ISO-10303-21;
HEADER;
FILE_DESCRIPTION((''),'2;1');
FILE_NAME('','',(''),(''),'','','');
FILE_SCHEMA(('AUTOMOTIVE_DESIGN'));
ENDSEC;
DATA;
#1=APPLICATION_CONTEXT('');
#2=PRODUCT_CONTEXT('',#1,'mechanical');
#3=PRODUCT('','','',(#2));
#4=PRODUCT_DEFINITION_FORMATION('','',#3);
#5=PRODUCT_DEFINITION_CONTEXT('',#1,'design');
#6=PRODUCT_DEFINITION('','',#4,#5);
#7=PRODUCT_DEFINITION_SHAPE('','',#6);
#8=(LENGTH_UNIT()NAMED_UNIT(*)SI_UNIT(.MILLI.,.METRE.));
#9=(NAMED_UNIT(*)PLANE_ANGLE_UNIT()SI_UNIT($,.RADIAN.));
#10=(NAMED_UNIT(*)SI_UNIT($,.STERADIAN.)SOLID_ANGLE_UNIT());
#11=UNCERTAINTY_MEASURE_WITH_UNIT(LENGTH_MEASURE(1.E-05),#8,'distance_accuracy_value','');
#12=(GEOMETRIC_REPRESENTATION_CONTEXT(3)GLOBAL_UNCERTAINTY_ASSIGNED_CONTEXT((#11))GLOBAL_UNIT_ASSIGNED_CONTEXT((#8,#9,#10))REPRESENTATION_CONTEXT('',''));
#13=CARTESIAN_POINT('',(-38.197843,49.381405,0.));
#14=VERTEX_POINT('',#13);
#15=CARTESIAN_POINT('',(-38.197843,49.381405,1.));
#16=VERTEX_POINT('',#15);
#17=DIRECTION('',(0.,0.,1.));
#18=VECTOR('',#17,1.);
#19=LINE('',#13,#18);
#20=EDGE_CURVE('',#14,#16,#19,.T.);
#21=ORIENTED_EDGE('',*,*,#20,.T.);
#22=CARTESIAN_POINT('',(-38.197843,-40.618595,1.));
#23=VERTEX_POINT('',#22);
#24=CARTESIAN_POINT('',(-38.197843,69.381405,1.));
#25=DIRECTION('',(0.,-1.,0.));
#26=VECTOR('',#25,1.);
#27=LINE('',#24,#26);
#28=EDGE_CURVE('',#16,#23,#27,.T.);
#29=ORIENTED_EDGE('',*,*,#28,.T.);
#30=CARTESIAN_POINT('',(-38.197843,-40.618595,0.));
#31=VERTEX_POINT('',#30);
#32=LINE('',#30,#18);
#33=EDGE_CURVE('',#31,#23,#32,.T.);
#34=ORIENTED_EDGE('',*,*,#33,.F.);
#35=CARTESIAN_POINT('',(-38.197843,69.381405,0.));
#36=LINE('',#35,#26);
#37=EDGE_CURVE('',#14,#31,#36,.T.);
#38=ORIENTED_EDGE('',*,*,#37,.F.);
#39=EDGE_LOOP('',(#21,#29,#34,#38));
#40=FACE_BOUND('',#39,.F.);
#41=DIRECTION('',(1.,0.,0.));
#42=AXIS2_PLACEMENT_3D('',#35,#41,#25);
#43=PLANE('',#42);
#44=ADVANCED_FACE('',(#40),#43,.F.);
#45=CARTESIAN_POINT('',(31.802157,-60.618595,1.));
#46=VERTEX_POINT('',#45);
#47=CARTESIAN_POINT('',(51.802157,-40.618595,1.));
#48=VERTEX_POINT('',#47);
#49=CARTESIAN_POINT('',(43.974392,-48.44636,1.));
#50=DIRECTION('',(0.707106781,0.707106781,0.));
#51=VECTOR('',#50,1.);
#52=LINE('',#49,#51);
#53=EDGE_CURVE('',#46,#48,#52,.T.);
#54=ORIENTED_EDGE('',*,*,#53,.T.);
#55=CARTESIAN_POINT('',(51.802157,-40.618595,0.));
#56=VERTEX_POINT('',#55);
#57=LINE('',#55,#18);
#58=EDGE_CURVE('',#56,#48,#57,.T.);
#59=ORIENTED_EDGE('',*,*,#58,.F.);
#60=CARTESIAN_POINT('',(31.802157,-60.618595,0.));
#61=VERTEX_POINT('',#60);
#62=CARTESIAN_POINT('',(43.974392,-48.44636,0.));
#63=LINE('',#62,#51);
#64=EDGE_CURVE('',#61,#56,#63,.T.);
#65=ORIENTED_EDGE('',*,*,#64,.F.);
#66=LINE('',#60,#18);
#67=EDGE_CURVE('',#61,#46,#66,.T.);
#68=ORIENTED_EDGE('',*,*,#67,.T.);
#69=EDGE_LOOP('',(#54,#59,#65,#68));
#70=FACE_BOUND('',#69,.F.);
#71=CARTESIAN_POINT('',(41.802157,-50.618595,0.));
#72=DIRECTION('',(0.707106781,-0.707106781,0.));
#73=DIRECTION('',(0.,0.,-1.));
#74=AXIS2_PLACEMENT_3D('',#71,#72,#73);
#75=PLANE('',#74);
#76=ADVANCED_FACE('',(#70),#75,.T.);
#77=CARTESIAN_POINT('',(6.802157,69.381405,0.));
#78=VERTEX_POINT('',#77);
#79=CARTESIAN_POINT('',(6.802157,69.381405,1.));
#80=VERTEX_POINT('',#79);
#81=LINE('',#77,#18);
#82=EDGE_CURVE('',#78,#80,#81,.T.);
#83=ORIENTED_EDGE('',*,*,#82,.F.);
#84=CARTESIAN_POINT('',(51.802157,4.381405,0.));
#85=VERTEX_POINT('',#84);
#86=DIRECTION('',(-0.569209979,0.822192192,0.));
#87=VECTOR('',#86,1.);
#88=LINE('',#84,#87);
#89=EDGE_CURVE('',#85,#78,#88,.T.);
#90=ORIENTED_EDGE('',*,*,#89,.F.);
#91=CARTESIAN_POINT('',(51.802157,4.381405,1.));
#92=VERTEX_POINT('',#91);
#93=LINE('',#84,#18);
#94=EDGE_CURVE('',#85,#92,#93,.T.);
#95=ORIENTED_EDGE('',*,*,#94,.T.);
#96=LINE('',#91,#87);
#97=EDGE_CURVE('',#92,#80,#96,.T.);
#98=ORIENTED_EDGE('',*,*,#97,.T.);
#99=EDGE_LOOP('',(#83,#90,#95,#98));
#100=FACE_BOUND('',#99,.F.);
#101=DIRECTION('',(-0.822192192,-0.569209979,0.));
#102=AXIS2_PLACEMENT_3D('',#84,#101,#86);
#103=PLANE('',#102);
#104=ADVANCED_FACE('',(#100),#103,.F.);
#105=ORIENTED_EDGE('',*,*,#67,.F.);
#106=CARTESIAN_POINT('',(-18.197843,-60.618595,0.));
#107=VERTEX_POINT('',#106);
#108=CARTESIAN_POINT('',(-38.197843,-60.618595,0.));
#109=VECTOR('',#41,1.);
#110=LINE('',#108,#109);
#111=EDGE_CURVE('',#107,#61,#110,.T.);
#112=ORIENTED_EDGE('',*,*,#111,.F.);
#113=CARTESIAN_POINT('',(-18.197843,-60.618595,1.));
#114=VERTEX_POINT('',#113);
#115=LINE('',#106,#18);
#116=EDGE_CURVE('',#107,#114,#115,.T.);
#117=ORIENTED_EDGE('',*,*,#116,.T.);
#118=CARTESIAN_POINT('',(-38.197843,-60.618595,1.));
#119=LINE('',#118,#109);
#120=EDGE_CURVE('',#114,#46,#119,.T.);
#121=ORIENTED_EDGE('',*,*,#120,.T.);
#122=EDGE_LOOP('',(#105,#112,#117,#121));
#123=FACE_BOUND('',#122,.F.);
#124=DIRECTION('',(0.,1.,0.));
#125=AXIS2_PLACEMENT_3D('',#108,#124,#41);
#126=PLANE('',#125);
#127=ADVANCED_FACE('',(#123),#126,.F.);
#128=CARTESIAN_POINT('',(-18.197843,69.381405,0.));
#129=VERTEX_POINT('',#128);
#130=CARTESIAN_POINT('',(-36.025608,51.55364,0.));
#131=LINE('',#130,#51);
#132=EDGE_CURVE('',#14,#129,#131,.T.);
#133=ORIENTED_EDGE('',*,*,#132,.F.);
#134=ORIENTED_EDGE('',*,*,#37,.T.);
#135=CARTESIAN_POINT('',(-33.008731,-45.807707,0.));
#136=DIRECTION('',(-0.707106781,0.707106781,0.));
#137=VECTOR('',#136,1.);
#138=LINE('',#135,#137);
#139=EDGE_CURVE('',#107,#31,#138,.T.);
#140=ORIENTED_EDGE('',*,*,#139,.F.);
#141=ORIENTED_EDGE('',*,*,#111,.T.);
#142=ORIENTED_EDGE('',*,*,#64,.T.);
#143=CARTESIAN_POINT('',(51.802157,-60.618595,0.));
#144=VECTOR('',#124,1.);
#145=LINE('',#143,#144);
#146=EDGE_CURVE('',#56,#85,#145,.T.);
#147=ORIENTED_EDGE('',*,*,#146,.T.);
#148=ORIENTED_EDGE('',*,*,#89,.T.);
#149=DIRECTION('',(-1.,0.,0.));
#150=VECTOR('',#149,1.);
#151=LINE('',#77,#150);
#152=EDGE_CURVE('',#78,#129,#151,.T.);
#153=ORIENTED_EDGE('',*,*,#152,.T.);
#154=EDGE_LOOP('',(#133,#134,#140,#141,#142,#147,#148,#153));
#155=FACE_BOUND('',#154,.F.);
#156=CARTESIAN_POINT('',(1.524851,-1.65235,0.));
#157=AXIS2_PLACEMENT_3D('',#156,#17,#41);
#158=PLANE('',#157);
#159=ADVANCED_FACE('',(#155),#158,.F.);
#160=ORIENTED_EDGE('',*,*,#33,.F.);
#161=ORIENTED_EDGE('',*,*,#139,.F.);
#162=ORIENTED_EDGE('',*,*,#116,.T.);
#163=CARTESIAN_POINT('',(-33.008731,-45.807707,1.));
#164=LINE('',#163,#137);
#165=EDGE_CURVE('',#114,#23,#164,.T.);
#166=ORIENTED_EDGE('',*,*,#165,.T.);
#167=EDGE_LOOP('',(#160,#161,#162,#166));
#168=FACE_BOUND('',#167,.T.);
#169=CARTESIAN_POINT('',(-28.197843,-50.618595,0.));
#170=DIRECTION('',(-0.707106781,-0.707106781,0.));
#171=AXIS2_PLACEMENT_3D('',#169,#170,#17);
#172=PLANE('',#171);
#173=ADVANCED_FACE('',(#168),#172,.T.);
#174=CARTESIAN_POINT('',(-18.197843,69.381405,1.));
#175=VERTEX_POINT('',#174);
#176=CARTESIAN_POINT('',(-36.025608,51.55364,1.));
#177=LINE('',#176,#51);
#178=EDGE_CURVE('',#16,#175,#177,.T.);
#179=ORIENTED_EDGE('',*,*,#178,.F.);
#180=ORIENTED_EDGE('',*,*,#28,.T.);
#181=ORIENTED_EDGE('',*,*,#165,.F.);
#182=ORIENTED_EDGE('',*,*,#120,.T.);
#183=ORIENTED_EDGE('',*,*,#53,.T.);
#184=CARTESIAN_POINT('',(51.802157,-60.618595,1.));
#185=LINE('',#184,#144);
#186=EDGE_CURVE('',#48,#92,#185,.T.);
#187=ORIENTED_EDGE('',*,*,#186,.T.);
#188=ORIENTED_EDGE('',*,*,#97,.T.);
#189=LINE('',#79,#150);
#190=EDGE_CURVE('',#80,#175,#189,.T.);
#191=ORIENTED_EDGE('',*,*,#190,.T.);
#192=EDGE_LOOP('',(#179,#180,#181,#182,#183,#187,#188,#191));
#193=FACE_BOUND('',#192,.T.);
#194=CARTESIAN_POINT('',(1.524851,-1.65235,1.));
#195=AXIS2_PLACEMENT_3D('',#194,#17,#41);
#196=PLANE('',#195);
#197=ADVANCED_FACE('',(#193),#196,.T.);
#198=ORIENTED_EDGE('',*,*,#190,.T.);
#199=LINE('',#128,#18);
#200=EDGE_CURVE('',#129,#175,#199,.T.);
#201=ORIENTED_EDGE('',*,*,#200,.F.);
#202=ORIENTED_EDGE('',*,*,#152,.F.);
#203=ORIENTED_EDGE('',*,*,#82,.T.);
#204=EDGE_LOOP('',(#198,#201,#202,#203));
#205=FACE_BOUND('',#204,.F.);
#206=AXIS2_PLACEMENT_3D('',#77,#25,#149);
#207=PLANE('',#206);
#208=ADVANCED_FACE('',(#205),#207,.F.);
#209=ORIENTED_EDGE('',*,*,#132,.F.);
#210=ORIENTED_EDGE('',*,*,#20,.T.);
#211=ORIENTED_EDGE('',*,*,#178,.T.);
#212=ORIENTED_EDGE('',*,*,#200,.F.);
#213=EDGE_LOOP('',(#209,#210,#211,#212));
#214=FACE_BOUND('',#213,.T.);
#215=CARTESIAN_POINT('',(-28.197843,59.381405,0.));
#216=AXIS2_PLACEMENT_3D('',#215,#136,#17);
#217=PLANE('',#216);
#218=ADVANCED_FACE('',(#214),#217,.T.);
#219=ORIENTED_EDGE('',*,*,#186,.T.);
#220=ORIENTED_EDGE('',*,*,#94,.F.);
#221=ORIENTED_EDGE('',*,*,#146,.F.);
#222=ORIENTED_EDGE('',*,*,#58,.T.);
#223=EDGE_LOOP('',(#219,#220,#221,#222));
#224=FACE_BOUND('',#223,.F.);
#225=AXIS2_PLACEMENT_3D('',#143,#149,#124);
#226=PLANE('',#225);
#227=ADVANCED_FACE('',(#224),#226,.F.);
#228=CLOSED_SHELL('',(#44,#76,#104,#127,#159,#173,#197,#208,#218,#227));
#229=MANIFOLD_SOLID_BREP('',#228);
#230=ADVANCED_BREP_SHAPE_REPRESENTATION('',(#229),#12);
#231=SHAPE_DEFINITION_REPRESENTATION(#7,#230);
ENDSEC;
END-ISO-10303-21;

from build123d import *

# Parameters (mm, degrees)
F1_DEPTH = 1
F2_SIZE  = 20
F3_SIZE  = 20
F4_SIZE  = 20


with BuildPart() as f1:
    # F0 (on Top) → F1 (new body)
    with BuildSketch(Plane.XY):
        Polygon((6.802157, 69.381405), (-38.197843, 69.381405), (-38.197843, -60.618595), (51.802157, -60.618595), (51.802157, 4.381405), align=None)
    extrude(amount=F1_DEPTH)

    # F2
    f2_edges = [f1.edges().sort_by_distance(p)[0] for p in [
        (51.802157, -60.618595, 0.5),
    ]]
    chamfer(f2_edges, length=F2_SIZE)

    # F3
    f3_edges = [f1.edges().sort_by_distance(p)[0] for p in [
        (-38.197843, -60.618595, 0.5),
    ]]
    chamfer(f3_edges, length=F3_SIZE)

    # F4
    f4_edges = [f1.edges().sort_by_distance(p)[0] for p in [
        (-38.197843, 69.381405, 0.5),
    ]]
    chamfer(f4_edges, length=F4_SIZE)


solid = f1.part
